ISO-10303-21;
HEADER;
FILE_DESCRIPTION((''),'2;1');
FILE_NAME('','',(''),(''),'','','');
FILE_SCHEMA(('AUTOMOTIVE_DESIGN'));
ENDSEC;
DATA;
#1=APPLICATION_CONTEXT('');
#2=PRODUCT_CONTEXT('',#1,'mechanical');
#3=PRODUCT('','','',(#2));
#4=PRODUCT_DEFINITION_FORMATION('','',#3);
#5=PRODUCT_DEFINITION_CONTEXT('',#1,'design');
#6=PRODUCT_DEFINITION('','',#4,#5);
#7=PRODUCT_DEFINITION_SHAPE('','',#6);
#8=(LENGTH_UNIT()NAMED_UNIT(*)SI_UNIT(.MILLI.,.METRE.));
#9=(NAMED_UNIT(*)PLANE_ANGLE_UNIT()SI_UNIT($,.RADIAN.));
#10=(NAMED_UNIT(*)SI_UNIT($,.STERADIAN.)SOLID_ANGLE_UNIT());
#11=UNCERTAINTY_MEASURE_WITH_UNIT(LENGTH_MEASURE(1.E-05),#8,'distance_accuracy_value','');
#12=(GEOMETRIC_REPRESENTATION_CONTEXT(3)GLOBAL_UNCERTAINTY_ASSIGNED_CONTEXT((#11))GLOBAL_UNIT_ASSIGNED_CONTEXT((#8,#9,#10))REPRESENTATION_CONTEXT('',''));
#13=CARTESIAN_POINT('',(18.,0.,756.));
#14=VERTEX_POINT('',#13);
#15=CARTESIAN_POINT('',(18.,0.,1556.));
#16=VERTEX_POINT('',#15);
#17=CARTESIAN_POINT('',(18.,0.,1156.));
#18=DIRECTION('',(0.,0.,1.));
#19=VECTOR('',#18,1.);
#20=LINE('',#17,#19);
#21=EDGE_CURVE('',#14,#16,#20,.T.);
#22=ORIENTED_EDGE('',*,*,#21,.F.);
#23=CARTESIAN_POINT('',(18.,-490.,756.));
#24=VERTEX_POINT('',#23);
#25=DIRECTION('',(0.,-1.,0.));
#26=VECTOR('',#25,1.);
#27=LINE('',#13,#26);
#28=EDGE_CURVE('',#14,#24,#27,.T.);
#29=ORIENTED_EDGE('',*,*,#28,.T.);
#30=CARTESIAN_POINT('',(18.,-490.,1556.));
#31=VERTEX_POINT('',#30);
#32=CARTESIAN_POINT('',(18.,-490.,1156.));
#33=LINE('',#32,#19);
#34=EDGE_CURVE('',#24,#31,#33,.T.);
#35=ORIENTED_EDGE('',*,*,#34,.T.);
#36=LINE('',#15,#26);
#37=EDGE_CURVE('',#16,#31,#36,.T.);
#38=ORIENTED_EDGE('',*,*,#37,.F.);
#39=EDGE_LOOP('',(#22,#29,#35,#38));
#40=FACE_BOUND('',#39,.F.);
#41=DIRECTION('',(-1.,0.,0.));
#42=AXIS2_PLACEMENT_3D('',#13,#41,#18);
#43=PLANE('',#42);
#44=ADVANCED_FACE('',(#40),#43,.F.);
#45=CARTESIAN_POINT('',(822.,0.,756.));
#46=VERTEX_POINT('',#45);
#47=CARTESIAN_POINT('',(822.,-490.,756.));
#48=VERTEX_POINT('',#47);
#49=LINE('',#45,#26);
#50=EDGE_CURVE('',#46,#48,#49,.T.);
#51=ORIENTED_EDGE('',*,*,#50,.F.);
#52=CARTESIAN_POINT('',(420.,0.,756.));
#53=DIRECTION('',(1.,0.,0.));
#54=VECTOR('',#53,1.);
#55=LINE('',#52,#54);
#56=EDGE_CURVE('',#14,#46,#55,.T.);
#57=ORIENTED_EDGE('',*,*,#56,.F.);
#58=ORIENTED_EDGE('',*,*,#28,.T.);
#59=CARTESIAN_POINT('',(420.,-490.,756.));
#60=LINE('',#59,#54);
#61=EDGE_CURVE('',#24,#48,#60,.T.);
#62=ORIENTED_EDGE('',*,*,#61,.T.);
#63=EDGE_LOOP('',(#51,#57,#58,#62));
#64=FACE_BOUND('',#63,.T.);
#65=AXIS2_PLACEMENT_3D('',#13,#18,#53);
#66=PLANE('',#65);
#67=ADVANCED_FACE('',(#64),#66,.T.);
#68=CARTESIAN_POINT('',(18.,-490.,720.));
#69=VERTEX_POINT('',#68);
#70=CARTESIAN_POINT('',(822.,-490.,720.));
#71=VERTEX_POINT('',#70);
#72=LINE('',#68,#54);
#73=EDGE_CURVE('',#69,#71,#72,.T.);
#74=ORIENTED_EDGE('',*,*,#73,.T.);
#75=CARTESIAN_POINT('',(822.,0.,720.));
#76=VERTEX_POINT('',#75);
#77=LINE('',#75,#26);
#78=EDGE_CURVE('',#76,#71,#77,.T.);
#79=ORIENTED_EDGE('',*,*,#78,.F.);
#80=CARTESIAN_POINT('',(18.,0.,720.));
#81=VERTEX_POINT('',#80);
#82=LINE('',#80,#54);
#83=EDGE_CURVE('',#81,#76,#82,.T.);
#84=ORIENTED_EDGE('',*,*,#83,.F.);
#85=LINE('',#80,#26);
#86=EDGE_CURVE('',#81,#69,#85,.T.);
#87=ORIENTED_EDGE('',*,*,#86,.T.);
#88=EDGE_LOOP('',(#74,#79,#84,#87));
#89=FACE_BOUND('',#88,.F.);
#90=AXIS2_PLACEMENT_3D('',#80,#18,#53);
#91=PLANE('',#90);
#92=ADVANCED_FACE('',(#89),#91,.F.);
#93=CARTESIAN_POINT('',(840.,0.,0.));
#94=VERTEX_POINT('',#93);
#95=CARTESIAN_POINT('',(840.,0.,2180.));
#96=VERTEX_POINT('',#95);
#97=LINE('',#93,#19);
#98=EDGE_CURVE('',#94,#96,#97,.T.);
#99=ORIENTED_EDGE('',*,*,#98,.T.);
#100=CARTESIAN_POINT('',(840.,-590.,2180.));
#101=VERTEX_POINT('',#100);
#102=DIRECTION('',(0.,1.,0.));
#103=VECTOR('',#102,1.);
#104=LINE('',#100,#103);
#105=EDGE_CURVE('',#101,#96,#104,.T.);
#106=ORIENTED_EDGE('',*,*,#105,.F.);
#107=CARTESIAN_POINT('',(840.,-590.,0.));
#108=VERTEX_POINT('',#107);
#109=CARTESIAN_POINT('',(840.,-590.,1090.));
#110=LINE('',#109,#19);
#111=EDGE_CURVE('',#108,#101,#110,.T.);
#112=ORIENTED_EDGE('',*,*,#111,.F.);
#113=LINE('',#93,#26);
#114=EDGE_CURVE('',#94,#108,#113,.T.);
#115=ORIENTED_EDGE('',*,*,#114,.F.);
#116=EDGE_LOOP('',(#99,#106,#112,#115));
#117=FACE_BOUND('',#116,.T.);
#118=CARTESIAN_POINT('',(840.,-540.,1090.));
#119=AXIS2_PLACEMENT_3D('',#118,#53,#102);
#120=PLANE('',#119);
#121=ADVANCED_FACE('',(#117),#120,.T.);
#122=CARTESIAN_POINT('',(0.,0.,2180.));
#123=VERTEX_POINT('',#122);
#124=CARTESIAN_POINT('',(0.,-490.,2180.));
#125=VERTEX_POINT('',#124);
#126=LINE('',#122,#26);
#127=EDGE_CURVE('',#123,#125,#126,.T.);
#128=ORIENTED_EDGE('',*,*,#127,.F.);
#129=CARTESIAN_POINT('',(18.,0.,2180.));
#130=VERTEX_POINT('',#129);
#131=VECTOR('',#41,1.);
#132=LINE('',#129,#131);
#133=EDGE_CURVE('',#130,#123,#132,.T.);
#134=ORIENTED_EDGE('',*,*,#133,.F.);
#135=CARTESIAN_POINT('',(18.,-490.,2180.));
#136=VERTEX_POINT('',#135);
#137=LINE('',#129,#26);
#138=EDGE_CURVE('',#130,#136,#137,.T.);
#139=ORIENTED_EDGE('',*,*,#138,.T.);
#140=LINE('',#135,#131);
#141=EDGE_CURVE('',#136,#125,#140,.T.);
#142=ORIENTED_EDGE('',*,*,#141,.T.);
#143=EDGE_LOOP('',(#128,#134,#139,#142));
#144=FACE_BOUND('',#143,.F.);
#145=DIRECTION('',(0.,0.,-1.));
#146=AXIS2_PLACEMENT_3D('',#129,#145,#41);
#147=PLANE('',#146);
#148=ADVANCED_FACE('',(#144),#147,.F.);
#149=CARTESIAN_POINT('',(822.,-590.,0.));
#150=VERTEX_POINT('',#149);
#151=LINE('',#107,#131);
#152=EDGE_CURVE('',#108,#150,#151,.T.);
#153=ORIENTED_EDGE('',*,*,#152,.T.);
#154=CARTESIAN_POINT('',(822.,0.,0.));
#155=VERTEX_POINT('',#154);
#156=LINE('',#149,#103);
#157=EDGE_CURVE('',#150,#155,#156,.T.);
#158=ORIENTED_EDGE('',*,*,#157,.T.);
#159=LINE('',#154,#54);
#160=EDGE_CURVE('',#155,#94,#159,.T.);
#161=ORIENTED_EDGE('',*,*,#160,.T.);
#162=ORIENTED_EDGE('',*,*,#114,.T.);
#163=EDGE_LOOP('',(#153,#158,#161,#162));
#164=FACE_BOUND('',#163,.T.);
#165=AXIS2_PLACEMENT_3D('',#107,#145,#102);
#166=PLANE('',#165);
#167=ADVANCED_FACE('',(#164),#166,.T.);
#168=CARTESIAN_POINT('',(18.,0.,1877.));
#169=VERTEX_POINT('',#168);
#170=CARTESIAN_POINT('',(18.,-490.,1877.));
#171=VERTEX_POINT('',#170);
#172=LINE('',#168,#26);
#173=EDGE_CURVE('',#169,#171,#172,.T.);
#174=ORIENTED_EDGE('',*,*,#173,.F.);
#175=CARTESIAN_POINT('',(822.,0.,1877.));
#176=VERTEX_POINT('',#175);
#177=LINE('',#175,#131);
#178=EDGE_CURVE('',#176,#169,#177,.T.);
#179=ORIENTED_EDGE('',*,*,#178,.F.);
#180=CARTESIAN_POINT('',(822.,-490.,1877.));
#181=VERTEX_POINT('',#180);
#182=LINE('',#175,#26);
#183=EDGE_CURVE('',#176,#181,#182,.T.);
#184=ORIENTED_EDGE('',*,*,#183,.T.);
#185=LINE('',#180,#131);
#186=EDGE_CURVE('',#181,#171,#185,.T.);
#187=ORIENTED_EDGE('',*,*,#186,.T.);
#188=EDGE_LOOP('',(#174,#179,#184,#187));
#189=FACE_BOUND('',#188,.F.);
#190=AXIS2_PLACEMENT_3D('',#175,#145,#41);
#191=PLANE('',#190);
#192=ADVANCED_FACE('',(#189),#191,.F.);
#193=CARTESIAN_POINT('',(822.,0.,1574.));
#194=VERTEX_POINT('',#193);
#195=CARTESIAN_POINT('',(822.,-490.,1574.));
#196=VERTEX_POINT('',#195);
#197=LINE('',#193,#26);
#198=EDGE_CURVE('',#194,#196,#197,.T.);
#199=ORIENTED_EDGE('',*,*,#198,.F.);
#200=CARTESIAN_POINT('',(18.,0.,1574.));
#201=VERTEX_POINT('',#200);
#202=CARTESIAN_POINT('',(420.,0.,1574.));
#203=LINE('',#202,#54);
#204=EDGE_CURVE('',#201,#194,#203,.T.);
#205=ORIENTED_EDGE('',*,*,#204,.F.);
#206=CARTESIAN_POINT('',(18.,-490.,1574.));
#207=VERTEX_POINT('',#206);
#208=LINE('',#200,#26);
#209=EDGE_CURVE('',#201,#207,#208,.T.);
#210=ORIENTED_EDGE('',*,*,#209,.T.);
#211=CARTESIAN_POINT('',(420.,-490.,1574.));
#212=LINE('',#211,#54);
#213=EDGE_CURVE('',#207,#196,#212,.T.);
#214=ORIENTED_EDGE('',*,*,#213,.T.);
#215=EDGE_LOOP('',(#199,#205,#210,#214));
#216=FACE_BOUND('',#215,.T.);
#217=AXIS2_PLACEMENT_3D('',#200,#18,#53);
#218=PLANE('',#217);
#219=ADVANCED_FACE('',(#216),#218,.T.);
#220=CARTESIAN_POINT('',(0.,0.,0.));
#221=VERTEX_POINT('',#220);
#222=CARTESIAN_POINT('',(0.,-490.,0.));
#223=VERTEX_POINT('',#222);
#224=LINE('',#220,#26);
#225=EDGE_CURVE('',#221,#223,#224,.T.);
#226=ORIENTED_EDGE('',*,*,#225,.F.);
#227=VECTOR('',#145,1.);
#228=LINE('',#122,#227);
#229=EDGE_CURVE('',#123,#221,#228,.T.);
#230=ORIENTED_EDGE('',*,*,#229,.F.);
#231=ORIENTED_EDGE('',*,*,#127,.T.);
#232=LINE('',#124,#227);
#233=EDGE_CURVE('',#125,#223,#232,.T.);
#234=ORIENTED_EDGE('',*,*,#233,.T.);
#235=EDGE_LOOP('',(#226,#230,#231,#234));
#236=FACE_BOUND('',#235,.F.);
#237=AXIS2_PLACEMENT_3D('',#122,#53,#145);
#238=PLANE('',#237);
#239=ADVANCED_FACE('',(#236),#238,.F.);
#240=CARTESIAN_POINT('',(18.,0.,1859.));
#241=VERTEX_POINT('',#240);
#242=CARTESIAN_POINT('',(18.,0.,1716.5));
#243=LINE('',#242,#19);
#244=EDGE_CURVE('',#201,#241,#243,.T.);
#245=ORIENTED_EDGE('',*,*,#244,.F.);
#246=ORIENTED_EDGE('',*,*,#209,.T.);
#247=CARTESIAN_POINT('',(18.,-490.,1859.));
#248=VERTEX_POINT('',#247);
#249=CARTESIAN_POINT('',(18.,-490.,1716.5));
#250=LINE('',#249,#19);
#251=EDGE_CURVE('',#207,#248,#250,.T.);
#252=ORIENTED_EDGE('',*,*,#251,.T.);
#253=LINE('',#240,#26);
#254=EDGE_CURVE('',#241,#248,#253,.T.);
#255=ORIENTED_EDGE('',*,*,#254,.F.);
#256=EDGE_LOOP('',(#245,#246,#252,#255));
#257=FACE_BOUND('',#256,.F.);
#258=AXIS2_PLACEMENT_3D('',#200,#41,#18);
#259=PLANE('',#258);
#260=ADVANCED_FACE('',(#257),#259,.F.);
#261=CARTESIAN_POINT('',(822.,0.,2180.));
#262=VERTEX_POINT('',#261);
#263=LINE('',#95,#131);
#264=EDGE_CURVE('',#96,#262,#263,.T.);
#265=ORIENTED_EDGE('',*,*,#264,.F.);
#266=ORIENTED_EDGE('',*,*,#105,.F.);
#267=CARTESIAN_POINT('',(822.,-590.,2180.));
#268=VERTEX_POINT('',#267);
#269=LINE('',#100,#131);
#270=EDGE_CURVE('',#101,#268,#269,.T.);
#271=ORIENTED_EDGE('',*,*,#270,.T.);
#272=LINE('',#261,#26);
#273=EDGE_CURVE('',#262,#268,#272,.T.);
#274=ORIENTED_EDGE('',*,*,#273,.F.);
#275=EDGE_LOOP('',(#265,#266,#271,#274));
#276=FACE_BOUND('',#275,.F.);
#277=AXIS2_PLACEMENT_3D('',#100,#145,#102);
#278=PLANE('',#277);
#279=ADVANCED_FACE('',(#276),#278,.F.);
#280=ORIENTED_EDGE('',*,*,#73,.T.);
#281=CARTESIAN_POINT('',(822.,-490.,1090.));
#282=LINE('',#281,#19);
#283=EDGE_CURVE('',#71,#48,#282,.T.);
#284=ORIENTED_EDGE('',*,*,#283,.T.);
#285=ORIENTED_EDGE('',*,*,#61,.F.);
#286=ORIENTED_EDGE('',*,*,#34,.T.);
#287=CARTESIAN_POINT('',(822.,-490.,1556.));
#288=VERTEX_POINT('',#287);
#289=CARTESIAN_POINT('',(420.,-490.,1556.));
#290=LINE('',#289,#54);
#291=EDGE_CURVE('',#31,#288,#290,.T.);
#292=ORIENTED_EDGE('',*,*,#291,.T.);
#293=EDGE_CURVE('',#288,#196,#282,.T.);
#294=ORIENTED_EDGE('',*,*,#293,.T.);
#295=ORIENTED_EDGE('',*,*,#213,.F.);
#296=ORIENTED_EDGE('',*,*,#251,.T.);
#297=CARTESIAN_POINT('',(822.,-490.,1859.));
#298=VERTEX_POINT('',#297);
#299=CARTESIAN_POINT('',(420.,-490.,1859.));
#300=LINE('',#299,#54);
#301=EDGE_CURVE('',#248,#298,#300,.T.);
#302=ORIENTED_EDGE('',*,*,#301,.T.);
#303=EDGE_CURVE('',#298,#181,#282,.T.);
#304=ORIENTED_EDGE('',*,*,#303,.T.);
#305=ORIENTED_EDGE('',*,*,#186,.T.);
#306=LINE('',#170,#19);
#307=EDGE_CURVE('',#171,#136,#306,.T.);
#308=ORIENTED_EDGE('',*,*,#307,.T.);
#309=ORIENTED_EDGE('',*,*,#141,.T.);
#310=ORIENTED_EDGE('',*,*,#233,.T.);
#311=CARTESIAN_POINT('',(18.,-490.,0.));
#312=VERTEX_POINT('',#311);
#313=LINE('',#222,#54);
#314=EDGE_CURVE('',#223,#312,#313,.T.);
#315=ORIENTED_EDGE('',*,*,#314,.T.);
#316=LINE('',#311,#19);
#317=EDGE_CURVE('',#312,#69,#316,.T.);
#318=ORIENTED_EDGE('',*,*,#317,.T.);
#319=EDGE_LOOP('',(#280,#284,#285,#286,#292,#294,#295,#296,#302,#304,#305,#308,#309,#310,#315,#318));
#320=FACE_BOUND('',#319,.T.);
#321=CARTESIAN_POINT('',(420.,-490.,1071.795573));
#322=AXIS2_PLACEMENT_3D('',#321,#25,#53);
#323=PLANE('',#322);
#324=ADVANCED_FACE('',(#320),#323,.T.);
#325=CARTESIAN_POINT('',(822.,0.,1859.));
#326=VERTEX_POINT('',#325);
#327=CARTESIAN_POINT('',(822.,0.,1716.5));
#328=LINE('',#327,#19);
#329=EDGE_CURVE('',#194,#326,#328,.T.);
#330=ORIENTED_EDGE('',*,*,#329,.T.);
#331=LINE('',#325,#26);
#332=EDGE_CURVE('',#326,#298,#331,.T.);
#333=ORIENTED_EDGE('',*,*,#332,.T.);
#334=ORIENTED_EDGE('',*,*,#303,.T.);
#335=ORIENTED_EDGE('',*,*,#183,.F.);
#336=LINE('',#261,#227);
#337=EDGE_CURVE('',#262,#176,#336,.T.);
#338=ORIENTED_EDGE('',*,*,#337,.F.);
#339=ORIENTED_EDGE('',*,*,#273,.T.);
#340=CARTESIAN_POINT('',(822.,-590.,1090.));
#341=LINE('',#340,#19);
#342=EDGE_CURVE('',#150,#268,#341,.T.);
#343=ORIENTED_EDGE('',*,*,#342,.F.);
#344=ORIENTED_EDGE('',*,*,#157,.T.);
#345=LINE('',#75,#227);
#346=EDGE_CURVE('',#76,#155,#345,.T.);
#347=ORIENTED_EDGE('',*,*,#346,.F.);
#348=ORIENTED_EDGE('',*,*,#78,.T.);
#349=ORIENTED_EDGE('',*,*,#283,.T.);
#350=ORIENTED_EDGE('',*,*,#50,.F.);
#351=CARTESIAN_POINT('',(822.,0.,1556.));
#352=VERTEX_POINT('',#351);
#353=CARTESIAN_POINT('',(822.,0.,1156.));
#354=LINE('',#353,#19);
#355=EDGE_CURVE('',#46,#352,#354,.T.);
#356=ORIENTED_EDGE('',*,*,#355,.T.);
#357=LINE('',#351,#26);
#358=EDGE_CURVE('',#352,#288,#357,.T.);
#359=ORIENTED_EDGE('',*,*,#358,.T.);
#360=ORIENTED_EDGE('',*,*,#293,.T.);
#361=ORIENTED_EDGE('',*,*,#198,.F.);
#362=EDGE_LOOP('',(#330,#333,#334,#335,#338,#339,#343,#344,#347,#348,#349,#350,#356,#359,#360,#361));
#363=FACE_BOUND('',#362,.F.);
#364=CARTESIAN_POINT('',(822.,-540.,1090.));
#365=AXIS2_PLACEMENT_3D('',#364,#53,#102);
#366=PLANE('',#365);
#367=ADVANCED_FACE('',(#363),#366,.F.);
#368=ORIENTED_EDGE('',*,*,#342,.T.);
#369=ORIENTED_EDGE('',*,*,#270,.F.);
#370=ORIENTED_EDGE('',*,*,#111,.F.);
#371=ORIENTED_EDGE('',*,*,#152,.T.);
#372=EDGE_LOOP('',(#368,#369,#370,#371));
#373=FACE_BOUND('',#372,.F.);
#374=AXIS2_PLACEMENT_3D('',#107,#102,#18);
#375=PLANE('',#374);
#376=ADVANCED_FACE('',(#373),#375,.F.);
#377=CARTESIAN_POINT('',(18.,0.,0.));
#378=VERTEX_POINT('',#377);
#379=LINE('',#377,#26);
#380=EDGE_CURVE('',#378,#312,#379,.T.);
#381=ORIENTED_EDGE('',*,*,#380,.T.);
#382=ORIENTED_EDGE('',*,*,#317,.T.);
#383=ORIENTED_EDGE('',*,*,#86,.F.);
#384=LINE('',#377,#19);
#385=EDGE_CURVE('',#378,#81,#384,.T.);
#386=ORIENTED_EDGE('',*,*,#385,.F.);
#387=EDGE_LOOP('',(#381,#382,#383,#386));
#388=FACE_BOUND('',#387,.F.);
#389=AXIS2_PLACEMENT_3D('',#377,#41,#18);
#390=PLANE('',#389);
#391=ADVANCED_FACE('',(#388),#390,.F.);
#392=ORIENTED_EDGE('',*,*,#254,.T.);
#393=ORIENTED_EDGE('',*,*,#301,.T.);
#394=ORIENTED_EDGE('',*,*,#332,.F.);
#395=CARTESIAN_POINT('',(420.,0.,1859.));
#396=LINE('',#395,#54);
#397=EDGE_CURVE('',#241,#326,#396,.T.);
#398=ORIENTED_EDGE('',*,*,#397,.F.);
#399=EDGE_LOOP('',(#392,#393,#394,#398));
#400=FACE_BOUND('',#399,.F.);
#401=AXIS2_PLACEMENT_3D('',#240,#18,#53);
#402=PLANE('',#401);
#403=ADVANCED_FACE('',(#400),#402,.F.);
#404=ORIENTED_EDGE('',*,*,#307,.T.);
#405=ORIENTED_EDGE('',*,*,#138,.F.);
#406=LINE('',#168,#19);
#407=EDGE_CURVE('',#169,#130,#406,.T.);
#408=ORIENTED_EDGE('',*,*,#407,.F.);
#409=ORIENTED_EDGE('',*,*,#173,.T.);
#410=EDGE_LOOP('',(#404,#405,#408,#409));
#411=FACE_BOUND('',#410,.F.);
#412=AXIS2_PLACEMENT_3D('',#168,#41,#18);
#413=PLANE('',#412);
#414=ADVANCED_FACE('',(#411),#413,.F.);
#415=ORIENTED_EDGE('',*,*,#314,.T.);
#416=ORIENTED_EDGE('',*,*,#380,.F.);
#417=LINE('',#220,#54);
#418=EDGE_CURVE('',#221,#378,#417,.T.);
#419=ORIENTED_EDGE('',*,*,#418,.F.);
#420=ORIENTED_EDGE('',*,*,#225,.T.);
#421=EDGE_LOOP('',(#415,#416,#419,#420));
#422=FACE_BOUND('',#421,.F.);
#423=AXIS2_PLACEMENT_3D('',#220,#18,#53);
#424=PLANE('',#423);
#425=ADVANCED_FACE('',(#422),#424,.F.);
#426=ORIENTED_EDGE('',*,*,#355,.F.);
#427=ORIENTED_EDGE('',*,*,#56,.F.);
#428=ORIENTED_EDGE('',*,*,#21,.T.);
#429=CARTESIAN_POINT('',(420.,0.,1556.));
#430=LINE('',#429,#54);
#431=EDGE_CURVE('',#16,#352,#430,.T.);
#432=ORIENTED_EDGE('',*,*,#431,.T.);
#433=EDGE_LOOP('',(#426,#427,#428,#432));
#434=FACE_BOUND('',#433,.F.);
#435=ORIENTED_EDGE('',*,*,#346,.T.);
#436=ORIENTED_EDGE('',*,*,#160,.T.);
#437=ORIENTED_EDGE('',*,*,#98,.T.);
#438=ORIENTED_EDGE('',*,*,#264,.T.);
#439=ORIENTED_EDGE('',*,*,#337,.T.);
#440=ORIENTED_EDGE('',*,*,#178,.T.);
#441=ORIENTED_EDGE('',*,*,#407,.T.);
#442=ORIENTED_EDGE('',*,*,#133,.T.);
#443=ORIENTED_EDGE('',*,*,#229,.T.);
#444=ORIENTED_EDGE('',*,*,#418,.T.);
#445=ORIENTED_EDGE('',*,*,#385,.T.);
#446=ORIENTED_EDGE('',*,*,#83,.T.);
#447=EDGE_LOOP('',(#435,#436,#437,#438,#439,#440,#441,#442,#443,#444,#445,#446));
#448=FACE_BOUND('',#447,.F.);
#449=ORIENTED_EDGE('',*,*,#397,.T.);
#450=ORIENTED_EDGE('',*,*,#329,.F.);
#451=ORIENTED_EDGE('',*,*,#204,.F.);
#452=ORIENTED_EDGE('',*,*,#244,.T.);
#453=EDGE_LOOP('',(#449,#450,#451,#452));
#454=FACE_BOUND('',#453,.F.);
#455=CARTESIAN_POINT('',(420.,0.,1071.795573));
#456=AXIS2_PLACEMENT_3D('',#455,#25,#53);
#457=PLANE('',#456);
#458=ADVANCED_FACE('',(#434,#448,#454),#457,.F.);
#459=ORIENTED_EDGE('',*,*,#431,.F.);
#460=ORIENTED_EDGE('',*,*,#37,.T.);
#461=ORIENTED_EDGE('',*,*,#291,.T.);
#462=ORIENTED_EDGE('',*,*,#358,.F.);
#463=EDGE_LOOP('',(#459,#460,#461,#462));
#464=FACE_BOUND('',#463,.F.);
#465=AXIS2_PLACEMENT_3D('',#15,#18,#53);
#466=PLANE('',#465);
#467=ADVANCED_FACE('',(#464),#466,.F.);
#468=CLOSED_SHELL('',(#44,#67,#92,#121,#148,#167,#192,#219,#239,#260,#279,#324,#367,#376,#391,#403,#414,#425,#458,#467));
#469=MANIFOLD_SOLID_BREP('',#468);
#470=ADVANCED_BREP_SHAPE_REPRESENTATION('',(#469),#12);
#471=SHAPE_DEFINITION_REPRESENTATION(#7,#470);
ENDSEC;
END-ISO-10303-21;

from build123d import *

# Parameters (mm, degrees)
F0_W     = 804
F0_H     = 800
F0_H_2   = 285
F1_DEPTH = 490
F2_W     = 100
F2_H     = 2180
F3_DEPTH = 18


with BuildPart() as f1:
    # F0 (on Front) → F1 (new body)
    with BuildSketch(Plane.XZ):
        Polygon((0, 2180), (0, 0), (18, 0), (18, 720), (822, 720), (822, 0), (840, 0), (840, 2180), (822, 2180), (822, 2162), (822, 1877), (18, 1877), (18, 2162), (18, 2180), align=None)
        with Locations((420, 1156)):
            Rectangle(F0_W, F0_H, mode=Mode.SUBTRACT)
        with Locations((420, 1716.5)):
            Rectangle(F0_W, F0_H_2, mode=Mode.SUBTRACT)
    extrude(amount=F1_DEPTH)

    # F2 (on face) → F3 (join)
    with BuildSketch(Plane.YZ.offset(840)):
        with Locations((-540, 1090)):
            Rectangle(F2_W, F2_H)
    extrude(amount=-F3_DEPTH)


solid = f1.part
